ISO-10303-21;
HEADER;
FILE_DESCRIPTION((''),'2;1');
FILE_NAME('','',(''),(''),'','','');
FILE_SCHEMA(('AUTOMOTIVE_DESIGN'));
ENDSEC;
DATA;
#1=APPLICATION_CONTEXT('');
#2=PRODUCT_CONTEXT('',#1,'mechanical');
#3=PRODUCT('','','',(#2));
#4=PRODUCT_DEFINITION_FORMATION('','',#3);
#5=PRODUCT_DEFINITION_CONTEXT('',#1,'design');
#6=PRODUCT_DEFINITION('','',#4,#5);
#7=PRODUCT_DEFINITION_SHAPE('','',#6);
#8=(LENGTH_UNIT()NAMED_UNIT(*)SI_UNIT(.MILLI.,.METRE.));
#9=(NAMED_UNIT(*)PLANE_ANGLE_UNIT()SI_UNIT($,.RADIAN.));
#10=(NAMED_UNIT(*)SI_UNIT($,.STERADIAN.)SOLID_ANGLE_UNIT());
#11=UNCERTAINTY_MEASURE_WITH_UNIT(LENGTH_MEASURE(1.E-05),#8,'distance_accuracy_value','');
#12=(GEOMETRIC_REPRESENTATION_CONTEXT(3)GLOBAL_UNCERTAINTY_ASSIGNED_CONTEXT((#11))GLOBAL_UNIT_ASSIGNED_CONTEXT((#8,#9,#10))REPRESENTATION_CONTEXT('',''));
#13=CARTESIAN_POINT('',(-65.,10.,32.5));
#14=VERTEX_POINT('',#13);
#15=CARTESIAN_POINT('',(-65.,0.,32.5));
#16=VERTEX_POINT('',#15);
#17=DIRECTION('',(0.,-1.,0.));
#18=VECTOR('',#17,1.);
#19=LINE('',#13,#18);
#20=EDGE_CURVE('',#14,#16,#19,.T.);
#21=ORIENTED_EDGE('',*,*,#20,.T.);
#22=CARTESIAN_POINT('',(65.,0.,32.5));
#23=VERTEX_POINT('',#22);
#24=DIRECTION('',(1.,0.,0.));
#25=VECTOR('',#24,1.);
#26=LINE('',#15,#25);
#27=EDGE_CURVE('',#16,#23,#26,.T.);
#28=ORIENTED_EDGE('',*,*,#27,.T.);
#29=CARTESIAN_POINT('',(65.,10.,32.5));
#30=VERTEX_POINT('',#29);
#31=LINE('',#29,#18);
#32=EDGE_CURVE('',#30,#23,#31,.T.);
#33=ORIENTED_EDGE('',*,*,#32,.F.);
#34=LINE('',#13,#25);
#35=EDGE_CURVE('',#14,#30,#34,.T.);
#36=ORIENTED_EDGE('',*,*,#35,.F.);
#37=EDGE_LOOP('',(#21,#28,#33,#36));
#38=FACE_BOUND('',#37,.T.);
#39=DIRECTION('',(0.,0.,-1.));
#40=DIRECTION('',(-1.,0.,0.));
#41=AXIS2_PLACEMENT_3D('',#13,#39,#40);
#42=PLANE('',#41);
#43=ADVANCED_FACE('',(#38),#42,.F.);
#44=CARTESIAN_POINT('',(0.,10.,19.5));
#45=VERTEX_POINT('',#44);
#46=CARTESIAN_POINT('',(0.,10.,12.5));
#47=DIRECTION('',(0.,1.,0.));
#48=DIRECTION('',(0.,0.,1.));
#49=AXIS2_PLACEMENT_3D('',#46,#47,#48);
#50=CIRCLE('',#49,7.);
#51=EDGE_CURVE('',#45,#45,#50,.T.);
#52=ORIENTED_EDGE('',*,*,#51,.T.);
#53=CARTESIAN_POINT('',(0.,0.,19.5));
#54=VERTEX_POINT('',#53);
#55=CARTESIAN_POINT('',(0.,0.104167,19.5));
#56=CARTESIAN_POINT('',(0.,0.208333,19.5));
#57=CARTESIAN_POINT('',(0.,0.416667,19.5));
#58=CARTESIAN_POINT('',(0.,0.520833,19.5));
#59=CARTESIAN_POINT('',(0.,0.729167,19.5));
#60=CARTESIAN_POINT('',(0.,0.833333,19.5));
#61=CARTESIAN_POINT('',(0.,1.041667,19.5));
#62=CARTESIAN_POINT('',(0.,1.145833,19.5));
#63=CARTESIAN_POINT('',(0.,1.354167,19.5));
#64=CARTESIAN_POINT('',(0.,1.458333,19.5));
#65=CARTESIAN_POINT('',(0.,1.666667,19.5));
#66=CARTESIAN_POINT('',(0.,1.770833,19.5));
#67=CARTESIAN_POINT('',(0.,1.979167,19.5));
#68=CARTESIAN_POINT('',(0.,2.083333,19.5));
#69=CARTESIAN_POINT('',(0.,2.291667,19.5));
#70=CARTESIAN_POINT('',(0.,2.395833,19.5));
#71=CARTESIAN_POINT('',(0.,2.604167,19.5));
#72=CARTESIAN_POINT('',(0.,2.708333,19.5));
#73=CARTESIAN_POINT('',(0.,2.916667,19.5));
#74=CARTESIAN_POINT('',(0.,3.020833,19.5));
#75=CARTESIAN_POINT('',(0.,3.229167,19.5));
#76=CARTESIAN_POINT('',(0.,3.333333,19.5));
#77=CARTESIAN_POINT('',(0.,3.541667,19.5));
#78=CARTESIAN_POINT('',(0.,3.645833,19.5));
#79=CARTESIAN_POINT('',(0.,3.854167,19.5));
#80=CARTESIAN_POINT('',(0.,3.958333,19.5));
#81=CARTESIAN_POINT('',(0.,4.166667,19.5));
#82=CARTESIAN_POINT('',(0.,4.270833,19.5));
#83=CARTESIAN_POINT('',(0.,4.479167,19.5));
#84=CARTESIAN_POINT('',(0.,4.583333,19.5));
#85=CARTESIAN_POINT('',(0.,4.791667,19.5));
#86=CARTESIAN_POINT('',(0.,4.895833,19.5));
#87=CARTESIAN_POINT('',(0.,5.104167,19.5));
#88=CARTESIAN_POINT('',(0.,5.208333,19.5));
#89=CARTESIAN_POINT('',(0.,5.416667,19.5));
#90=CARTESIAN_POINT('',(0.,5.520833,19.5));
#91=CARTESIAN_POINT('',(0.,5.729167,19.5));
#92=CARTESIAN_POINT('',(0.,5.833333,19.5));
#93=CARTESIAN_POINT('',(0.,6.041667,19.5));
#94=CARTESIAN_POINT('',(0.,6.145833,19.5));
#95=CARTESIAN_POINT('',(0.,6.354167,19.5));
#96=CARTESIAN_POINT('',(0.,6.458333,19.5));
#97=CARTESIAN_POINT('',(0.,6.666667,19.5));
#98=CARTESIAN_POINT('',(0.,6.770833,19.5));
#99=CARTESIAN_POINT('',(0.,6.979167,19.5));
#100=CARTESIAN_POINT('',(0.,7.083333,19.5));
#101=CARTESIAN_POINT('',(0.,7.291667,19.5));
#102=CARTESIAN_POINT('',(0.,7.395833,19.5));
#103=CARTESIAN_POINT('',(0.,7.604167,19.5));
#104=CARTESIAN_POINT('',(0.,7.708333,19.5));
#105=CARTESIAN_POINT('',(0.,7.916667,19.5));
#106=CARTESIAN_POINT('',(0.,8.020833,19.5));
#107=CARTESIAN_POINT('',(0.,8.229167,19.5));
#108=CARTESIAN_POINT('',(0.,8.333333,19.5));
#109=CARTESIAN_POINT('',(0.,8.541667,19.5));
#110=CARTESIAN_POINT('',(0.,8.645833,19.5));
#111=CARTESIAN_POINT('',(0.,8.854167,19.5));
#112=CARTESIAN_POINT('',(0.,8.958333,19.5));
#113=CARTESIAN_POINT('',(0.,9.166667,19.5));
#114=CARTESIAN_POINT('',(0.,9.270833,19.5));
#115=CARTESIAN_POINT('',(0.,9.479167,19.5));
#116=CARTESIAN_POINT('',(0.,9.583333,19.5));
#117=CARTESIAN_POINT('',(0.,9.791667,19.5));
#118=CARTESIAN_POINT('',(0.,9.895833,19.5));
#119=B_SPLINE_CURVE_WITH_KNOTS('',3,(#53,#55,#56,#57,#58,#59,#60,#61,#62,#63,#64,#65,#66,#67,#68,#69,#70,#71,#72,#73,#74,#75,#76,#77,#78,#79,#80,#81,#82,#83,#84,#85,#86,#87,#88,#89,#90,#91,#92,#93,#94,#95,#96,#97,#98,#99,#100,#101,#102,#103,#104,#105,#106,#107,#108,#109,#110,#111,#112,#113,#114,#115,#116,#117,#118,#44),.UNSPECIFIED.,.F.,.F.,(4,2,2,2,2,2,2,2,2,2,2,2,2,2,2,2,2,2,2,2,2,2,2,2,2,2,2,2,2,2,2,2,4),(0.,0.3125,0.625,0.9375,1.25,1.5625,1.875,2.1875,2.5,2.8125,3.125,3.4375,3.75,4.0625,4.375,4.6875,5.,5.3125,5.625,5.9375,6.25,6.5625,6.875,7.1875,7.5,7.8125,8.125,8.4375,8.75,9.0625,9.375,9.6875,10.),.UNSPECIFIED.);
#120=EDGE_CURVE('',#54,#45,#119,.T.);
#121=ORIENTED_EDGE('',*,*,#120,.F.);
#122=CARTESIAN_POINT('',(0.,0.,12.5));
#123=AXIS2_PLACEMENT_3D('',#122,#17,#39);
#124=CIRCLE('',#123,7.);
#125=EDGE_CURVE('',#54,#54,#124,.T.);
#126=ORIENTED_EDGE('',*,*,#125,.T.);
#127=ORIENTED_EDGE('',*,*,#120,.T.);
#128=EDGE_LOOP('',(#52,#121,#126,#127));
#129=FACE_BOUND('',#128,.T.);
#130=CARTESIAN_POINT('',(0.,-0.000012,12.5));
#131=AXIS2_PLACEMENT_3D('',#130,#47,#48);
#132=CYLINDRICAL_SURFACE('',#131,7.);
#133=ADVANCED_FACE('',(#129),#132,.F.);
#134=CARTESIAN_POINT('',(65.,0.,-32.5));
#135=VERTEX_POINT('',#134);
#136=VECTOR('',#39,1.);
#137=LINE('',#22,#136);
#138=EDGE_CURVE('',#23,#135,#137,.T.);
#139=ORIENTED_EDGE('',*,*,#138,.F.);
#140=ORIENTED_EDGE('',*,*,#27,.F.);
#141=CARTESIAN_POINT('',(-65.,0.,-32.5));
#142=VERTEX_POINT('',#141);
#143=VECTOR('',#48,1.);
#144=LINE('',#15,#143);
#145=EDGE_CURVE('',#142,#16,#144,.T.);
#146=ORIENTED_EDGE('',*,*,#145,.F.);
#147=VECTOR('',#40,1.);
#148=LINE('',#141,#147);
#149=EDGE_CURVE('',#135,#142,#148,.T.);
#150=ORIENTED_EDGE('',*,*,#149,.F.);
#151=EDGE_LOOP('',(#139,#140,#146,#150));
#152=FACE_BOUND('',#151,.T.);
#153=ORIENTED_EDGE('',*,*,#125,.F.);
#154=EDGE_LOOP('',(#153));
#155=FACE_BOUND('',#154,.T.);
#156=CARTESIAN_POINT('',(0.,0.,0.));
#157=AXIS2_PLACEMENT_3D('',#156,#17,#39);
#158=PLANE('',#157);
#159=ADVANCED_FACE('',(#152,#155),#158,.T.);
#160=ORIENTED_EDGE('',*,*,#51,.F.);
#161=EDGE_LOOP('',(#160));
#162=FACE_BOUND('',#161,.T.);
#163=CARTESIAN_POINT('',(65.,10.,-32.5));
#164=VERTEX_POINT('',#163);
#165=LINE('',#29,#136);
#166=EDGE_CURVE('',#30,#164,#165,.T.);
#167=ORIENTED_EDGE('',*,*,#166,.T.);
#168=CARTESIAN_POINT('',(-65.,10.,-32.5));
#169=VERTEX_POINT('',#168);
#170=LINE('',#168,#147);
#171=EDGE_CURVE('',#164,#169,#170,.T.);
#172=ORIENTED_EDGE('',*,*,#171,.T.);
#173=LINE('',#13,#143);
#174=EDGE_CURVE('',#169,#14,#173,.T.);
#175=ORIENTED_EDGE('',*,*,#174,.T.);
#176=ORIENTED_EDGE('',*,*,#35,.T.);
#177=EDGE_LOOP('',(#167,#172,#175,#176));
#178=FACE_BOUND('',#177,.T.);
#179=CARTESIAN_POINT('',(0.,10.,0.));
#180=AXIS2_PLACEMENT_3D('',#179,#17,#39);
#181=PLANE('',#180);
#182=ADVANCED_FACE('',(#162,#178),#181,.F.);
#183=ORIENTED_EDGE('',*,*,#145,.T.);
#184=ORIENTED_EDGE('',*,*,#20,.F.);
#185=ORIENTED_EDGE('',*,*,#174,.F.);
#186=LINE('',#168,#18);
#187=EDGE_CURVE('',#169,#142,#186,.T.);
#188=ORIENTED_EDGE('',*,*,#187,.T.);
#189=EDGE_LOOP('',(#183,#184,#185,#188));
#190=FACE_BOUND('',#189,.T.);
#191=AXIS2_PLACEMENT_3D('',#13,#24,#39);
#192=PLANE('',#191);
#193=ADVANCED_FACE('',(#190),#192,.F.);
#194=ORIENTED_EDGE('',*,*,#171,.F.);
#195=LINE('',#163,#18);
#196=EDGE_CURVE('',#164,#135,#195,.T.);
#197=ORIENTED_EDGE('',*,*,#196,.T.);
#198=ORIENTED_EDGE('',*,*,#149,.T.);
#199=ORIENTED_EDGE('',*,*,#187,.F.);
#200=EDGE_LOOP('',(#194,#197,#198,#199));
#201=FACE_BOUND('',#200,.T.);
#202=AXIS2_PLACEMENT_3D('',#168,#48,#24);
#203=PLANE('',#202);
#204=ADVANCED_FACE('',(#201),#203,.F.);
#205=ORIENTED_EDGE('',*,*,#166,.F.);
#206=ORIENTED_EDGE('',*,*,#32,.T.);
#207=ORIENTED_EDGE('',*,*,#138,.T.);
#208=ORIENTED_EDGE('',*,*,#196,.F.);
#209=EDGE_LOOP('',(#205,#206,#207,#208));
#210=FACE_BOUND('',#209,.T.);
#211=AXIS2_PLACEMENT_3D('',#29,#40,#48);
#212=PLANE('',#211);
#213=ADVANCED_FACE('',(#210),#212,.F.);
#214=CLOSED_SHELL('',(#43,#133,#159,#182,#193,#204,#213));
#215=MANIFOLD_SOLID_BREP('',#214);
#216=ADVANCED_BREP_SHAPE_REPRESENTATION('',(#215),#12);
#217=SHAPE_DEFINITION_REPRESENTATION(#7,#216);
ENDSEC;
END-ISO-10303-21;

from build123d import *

# Parameters (mm, degrees)
SKETCH1_W               = 130
SKETCH1_H               = 65
BOSS_EXTRUDE1_DEPTH     = 10
CUT_EXTRUDE2_DEPTH      = 74.357003756
CUT_EXTRUDE2_DEPTH_BACK = 74.357003756
SKETCH2_R               = 7


with BuildPart() as part:
    # Sketch1 → Boss-Extrude1 (new body)
    with BuildSketch(Plane(origin=(0, 0, 0), x_dir=(1, 0, 0), z_dir=(0, 1, 0))):
        Rectangle(SKETCH1_W, SKETCH1_H)
    extrude(amount=BOSS_EXTRUDE1_DEPTH)

    # Sketch2 → Cut-Extrude2 (cut, two sides: drawn at the far end of the back side and taken through both)
    with BuildSketch(Plane(origin=(0, 0, 0), x_dir=(1, 0, 0), z_dir=(0, 1, 0)).offset(-CUT_EXTRUDE2_DEPTH_BACK)):
        with Locations(Location((0, -12.5, 0), (0, 0, 270))):
            Circle(SKETCH2_R)
    extrude(amount=CUT_EXTRUDE2_DEPTH + CUT_EXTRUDE2_DEPTH_BACK, mode=Mode.SUBTRACT)


solid = part.part
